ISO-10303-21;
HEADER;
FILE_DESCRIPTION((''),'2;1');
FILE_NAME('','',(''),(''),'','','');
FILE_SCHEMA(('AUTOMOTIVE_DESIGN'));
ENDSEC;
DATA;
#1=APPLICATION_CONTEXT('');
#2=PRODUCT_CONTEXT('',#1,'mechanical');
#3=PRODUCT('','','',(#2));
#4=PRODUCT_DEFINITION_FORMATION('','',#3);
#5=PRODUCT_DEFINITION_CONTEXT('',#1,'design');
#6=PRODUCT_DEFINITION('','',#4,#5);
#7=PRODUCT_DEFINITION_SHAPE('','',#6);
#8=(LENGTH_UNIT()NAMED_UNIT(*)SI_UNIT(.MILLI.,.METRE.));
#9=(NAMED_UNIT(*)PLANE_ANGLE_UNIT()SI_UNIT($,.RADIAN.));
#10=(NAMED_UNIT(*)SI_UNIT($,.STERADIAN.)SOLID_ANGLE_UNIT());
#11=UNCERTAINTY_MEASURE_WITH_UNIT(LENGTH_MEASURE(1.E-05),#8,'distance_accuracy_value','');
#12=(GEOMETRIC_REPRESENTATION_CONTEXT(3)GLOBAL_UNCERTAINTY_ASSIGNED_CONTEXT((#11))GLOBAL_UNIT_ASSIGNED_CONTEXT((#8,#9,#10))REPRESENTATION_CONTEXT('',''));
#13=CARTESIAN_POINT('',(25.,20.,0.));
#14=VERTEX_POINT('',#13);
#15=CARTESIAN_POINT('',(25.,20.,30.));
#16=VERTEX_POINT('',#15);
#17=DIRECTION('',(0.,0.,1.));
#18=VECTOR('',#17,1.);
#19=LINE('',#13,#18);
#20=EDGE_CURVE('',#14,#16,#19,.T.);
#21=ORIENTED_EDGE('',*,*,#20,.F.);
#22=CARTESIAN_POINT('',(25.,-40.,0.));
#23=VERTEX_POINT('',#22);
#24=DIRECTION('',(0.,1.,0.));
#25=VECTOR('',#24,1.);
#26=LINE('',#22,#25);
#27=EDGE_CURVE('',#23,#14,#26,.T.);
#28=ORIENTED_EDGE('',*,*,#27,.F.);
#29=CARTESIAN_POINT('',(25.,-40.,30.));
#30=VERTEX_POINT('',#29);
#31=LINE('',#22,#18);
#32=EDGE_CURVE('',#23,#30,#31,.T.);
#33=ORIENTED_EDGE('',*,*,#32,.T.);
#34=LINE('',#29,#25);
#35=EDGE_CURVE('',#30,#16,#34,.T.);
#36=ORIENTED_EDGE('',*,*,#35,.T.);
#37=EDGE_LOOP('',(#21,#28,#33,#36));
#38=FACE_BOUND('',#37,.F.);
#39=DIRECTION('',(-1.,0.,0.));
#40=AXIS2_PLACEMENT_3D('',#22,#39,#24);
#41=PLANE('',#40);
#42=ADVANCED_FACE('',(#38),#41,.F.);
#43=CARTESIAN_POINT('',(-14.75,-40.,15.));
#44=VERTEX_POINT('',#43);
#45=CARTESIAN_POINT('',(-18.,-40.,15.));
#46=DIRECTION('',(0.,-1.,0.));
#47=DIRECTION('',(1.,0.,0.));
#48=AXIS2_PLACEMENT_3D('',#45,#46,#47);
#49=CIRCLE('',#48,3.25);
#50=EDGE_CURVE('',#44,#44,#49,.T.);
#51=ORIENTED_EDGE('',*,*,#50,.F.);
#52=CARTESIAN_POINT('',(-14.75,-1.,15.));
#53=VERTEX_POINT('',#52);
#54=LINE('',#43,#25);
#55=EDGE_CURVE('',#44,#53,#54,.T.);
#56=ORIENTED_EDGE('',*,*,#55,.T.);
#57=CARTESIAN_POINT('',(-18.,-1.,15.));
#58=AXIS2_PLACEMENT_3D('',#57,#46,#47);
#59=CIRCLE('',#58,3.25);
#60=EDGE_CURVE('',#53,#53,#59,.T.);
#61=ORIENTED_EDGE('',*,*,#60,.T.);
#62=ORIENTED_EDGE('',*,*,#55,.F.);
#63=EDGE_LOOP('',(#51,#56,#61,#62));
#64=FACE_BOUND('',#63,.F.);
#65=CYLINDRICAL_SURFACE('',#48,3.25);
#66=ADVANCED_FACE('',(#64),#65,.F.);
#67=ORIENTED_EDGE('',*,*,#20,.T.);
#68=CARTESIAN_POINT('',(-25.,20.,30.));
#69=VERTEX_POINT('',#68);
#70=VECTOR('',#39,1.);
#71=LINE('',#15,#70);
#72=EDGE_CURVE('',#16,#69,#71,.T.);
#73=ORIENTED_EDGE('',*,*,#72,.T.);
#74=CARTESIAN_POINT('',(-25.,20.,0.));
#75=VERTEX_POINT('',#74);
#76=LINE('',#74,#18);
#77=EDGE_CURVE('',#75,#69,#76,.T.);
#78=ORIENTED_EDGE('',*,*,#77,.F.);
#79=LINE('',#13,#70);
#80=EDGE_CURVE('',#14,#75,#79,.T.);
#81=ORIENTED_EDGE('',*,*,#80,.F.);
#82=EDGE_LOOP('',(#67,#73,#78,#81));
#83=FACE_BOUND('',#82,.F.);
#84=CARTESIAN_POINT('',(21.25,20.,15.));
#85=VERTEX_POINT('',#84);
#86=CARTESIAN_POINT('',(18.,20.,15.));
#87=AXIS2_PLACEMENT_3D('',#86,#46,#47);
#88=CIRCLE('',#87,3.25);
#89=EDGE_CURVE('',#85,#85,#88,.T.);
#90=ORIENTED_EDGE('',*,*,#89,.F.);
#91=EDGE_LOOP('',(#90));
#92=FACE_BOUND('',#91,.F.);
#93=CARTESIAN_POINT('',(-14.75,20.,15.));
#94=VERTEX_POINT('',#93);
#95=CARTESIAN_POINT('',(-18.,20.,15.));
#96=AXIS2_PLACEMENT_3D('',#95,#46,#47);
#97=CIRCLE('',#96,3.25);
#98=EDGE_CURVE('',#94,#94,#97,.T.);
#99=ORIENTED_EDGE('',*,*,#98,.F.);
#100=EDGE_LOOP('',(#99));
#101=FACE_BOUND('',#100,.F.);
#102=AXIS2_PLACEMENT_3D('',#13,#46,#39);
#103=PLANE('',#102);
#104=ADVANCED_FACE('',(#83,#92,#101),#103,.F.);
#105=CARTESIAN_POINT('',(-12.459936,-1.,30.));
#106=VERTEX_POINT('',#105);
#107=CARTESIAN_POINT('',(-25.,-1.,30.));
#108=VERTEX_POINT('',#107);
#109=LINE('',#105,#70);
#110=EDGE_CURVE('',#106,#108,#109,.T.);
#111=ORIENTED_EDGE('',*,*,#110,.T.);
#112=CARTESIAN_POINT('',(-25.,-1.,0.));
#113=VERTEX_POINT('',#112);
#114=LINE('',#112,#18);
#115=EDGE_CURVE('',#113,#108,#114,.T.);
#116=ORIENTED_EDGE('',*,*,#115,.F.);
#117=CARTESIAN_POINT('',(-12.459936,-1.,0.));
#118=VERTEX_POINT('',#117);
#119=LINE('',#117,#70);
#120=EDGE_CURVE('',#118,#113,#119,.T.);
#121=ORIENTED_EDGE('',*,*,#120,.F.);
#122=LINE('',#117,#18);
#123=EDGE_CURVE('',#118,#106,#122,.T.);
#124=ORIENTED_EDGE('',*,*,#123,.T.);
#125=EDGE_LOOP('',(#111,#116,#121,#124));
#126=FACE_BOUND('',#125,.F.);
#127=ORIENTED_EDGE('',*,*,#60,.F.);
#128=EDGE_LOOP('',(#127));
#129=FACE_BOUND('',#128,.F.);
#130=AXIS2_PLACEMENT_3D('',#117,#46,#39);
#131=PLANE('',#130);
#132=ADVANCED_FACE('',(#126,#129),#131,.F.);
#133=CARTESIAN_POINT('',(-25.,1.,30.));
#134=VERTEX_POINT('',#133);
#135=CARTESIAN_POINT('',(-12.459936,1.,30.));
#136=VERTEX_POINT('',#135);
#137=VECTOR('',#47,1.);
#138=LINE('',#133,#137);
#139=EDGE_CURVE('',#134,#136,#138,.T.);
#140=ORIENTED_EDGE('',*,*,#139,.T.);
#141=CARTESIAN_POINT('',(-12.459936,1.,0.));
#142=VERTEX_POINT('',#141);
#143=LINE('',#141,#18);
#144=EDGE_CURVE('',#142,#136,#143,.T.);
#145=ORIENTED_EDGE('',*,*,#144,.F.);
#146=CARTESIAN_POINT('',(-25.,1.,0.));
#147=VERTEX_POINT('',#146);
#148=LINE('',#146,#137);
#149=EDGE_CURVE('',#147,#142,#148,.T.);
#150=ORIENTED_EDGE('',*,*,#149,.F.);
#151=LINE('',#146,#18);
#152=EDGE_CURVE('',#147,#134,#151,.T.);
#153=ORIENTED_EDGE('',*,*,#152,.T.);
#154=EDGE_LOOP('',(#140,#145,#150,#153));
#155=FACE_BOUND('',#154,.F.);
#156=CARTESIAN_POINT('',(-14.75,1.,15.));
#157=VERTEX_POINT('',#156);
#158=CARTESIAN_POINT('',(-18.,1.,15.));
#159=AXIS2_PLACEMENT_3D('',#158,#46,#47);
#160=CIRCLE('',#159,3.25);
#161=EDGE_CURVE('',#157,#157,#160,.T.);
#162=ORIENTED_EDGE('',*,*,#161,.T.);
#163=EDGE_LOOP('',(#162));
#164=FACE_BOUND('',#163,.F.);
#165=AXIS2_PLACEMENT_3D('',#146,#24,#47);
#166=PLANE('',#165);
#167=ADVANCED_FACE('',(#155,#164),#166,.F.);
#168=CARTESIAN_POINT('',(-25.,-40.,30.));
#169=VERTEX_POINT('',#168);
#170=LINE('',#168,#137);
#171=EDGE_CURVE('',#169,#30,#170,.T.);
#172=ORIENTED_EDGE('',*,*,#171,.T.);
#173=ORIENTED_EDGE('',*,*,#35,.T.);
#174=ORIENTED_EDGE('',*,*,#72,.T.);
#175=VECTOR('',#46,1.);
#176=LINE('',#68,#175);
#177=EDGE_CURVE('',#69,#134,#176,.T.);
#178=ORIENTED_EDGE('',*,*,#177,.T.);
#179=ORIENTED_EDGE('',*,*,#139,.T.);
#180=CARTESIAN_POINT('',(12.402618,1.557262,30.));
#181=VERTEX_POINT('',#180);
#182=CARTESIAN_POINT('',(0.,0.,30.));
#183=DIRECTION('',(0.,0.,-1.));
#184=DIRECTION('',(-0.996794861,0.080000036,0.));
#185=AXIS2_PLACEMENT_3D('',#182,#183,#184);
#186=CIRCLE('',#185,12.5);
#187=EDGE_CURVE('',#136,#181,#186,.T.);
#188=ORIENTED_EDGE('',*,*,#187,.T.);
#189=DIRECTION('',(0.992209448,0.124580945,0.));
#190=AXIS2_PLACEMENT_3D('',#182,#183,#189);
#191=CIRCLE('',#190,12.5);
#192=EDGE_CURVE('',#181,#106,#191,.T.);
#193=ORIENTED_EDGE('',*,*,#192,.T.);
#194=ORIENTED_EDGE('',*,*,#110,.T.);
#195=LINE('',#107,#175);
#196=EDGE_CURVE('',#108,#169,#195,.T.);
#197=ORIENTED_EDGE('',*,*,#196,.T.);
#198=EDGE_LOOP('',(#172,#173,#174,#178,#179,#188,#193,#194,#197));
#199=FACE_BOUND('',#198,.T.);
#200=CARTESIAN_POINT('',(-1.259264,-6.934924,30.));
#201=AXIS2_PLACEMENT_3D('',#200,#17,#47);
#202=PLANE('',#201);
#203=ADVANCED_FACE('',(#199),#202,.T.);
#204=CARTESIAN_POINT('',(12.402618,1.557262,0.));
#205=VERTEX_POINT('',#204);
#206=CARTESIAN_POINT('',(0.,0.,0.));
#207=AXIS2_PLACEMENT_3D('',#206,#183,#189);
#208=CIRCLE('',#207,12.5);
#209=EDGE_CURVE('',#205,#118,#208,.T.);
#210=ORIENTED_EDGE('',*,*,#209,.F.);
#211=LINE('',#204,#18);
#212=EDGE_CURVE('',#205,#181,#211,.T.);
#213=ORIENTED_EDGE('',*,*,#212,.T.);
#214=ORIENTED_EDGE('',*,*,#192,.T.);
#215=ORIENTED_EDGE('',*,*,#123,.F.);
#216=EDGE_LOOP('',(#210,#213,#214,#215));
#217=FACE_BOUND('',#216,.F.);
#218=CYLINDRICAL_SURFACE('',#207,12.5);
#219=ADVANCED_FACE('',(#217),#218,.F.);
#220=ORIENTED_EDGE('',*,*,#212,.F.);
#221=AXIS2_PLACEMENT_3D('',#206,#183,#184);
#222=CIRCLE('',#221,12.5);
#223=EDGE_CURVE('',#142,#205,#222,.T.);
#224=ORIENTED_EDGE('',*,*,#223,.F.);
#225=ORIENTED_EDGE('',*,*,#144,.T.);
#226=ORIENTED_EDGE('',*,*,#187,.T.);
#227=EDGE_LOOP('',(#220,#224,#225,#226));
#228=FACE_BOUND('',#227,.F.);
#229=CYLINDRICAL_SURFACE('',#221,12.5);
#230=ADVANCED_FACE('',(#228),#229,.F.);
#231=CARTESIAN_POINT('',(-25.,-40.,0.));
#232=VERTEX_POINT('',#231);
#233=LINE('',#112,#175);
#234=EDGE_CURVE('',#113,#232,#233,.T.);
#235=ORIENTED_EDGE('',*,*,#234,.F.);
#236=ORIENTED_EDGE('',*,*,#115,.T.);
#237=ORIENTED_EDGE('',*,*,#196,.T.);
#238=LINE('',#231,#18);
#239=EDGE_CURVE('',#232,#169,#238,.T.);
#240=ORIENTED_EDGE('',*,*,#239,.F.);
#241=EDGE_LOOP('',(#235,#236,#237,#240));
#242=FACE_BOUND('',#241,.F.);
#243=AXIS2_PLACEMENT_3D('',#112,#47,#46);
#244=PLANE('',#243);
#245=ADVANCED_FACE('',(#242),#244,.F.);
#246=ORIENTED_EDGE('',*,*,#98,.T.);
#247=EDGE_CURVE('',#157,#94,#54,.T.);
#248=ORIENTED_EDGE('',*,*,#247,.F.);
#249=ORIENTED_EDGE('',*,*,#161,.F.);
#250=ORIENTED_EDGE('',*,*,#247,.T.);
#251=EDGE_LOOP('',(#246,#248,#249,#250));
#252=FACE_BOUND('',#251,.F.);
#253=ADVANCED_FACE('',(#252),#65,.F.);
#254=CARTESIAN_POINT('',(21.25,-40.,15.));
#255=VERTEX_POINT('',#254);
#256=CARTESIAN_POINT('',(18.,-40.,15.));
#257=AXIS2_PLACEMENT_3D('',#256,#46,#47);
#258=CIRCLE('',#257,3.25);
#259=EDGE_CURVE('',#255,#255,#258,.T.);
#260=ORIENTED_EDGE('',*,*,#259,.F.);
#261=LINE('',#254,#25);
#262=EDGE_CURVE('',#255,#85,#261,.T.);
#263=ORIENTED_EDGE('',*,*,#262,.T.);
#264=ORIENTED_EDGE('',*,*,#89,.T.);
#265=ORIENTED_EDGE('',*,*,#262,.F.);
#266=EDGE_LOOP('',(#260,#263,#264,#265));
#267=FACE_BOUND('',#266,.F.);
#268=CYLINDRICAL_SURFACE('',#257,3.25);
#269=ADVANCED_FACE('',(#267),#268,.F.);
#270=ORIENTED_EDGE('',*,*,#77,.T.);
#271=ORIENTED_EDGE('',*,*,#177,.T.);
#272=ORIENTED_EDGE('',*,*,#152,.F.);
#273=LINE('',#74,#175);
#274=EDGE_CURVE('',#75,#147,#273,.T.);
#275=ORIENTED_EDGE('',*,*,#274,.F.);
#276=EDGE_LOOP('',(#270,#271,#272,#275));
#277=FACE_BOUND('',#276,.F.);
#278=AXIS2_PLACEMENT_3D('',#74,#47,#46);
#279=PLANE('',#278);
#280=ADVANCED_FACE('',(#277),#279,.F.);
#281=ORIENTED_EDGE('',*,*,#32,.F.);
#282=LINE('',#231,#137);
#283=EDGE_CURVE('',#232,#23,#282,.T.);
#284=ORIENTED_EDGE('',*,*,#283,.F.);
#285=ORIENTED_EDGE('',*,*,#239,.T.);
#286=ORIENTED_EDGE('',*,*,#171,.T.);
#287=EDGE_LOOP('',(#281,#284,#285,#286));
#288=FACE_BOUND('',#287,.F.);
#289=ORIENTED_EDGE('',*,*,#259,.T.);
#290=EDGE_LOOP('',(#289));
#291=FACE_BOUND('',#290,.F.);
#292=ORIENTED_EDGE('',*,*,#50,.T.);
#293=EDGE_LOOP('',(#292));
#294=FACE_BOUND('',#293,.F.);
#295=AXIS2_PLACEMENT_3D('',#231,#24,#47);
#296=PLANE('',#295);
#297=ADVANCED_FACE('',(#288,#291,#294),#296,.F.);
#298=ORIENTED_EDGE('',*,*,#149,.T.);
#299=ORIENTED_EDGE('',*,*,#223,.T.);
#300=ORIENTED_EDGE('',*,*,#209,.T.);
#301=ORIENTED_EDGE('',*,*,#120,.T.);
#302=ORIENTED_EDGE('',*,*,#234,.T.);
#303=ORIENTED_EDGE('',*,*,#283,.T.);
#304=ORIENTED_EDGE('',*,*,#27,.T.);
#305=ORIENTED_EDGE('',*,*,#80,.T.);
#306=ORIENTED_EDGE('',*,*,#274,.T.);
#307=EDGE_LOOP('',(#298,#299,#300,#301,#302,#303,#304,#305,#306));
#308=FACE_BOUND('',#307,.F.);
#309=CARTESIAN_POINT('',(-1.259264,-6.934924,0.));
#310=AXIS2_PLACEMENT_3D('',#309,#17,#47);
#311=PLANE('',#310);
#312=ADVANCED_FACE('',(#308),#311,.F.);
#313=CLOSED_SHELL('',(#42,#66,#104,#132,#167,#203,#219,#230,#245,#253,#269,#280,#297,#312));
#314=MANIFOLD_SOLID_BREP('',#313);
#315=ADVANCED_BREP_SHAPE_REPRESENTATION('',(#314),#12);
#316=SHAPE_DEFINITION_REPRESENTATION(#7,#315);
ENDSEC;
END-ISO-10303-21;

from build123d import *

# Parameters (mm, degrees)
F1_DEPTH = 30
F2_R     = 3.25
F3_DEPTH = 60.001


with BuildPart() as f1:
    # F0 (on Top) → F1 (new body)
    with BuildSketch(Plane.XY):
        with BuildLine():
            Line((-25, -1), (-25, -40))
            Line((-25, -40), (25, -40))
            Line((25, -40), (25, 20))
            Line((25, 20), (-25, 20))
            Line((-25, 20), (-25, 1))
            Line((-25, 1), (-12.459936, 1))
            ThreePointArc((-12.459936, 1), (-0.280101, 12.496861), (12.402618, 1.557262))
            ThreePointArc((12.402618, 1.557262), (1.278952, -12.434399), (-12.459936, -1))
            Line((-12.459936, -1), (-25, -1))
        make_face()
    extrude(amount=F1_DEPTH)

    # F2 (on face) → F3 (cut, through all)
    with BuildSketch(Plane.XZ.offset(40)):
        with Locations((-18, 15)):
            Circle(F2_R)
        with Locations((18, 15)):
            Circle(F2_R)
    extrude(amount=-F3_DEPTH, mode=Mode.SUBTRACT)


solid = f1.part
